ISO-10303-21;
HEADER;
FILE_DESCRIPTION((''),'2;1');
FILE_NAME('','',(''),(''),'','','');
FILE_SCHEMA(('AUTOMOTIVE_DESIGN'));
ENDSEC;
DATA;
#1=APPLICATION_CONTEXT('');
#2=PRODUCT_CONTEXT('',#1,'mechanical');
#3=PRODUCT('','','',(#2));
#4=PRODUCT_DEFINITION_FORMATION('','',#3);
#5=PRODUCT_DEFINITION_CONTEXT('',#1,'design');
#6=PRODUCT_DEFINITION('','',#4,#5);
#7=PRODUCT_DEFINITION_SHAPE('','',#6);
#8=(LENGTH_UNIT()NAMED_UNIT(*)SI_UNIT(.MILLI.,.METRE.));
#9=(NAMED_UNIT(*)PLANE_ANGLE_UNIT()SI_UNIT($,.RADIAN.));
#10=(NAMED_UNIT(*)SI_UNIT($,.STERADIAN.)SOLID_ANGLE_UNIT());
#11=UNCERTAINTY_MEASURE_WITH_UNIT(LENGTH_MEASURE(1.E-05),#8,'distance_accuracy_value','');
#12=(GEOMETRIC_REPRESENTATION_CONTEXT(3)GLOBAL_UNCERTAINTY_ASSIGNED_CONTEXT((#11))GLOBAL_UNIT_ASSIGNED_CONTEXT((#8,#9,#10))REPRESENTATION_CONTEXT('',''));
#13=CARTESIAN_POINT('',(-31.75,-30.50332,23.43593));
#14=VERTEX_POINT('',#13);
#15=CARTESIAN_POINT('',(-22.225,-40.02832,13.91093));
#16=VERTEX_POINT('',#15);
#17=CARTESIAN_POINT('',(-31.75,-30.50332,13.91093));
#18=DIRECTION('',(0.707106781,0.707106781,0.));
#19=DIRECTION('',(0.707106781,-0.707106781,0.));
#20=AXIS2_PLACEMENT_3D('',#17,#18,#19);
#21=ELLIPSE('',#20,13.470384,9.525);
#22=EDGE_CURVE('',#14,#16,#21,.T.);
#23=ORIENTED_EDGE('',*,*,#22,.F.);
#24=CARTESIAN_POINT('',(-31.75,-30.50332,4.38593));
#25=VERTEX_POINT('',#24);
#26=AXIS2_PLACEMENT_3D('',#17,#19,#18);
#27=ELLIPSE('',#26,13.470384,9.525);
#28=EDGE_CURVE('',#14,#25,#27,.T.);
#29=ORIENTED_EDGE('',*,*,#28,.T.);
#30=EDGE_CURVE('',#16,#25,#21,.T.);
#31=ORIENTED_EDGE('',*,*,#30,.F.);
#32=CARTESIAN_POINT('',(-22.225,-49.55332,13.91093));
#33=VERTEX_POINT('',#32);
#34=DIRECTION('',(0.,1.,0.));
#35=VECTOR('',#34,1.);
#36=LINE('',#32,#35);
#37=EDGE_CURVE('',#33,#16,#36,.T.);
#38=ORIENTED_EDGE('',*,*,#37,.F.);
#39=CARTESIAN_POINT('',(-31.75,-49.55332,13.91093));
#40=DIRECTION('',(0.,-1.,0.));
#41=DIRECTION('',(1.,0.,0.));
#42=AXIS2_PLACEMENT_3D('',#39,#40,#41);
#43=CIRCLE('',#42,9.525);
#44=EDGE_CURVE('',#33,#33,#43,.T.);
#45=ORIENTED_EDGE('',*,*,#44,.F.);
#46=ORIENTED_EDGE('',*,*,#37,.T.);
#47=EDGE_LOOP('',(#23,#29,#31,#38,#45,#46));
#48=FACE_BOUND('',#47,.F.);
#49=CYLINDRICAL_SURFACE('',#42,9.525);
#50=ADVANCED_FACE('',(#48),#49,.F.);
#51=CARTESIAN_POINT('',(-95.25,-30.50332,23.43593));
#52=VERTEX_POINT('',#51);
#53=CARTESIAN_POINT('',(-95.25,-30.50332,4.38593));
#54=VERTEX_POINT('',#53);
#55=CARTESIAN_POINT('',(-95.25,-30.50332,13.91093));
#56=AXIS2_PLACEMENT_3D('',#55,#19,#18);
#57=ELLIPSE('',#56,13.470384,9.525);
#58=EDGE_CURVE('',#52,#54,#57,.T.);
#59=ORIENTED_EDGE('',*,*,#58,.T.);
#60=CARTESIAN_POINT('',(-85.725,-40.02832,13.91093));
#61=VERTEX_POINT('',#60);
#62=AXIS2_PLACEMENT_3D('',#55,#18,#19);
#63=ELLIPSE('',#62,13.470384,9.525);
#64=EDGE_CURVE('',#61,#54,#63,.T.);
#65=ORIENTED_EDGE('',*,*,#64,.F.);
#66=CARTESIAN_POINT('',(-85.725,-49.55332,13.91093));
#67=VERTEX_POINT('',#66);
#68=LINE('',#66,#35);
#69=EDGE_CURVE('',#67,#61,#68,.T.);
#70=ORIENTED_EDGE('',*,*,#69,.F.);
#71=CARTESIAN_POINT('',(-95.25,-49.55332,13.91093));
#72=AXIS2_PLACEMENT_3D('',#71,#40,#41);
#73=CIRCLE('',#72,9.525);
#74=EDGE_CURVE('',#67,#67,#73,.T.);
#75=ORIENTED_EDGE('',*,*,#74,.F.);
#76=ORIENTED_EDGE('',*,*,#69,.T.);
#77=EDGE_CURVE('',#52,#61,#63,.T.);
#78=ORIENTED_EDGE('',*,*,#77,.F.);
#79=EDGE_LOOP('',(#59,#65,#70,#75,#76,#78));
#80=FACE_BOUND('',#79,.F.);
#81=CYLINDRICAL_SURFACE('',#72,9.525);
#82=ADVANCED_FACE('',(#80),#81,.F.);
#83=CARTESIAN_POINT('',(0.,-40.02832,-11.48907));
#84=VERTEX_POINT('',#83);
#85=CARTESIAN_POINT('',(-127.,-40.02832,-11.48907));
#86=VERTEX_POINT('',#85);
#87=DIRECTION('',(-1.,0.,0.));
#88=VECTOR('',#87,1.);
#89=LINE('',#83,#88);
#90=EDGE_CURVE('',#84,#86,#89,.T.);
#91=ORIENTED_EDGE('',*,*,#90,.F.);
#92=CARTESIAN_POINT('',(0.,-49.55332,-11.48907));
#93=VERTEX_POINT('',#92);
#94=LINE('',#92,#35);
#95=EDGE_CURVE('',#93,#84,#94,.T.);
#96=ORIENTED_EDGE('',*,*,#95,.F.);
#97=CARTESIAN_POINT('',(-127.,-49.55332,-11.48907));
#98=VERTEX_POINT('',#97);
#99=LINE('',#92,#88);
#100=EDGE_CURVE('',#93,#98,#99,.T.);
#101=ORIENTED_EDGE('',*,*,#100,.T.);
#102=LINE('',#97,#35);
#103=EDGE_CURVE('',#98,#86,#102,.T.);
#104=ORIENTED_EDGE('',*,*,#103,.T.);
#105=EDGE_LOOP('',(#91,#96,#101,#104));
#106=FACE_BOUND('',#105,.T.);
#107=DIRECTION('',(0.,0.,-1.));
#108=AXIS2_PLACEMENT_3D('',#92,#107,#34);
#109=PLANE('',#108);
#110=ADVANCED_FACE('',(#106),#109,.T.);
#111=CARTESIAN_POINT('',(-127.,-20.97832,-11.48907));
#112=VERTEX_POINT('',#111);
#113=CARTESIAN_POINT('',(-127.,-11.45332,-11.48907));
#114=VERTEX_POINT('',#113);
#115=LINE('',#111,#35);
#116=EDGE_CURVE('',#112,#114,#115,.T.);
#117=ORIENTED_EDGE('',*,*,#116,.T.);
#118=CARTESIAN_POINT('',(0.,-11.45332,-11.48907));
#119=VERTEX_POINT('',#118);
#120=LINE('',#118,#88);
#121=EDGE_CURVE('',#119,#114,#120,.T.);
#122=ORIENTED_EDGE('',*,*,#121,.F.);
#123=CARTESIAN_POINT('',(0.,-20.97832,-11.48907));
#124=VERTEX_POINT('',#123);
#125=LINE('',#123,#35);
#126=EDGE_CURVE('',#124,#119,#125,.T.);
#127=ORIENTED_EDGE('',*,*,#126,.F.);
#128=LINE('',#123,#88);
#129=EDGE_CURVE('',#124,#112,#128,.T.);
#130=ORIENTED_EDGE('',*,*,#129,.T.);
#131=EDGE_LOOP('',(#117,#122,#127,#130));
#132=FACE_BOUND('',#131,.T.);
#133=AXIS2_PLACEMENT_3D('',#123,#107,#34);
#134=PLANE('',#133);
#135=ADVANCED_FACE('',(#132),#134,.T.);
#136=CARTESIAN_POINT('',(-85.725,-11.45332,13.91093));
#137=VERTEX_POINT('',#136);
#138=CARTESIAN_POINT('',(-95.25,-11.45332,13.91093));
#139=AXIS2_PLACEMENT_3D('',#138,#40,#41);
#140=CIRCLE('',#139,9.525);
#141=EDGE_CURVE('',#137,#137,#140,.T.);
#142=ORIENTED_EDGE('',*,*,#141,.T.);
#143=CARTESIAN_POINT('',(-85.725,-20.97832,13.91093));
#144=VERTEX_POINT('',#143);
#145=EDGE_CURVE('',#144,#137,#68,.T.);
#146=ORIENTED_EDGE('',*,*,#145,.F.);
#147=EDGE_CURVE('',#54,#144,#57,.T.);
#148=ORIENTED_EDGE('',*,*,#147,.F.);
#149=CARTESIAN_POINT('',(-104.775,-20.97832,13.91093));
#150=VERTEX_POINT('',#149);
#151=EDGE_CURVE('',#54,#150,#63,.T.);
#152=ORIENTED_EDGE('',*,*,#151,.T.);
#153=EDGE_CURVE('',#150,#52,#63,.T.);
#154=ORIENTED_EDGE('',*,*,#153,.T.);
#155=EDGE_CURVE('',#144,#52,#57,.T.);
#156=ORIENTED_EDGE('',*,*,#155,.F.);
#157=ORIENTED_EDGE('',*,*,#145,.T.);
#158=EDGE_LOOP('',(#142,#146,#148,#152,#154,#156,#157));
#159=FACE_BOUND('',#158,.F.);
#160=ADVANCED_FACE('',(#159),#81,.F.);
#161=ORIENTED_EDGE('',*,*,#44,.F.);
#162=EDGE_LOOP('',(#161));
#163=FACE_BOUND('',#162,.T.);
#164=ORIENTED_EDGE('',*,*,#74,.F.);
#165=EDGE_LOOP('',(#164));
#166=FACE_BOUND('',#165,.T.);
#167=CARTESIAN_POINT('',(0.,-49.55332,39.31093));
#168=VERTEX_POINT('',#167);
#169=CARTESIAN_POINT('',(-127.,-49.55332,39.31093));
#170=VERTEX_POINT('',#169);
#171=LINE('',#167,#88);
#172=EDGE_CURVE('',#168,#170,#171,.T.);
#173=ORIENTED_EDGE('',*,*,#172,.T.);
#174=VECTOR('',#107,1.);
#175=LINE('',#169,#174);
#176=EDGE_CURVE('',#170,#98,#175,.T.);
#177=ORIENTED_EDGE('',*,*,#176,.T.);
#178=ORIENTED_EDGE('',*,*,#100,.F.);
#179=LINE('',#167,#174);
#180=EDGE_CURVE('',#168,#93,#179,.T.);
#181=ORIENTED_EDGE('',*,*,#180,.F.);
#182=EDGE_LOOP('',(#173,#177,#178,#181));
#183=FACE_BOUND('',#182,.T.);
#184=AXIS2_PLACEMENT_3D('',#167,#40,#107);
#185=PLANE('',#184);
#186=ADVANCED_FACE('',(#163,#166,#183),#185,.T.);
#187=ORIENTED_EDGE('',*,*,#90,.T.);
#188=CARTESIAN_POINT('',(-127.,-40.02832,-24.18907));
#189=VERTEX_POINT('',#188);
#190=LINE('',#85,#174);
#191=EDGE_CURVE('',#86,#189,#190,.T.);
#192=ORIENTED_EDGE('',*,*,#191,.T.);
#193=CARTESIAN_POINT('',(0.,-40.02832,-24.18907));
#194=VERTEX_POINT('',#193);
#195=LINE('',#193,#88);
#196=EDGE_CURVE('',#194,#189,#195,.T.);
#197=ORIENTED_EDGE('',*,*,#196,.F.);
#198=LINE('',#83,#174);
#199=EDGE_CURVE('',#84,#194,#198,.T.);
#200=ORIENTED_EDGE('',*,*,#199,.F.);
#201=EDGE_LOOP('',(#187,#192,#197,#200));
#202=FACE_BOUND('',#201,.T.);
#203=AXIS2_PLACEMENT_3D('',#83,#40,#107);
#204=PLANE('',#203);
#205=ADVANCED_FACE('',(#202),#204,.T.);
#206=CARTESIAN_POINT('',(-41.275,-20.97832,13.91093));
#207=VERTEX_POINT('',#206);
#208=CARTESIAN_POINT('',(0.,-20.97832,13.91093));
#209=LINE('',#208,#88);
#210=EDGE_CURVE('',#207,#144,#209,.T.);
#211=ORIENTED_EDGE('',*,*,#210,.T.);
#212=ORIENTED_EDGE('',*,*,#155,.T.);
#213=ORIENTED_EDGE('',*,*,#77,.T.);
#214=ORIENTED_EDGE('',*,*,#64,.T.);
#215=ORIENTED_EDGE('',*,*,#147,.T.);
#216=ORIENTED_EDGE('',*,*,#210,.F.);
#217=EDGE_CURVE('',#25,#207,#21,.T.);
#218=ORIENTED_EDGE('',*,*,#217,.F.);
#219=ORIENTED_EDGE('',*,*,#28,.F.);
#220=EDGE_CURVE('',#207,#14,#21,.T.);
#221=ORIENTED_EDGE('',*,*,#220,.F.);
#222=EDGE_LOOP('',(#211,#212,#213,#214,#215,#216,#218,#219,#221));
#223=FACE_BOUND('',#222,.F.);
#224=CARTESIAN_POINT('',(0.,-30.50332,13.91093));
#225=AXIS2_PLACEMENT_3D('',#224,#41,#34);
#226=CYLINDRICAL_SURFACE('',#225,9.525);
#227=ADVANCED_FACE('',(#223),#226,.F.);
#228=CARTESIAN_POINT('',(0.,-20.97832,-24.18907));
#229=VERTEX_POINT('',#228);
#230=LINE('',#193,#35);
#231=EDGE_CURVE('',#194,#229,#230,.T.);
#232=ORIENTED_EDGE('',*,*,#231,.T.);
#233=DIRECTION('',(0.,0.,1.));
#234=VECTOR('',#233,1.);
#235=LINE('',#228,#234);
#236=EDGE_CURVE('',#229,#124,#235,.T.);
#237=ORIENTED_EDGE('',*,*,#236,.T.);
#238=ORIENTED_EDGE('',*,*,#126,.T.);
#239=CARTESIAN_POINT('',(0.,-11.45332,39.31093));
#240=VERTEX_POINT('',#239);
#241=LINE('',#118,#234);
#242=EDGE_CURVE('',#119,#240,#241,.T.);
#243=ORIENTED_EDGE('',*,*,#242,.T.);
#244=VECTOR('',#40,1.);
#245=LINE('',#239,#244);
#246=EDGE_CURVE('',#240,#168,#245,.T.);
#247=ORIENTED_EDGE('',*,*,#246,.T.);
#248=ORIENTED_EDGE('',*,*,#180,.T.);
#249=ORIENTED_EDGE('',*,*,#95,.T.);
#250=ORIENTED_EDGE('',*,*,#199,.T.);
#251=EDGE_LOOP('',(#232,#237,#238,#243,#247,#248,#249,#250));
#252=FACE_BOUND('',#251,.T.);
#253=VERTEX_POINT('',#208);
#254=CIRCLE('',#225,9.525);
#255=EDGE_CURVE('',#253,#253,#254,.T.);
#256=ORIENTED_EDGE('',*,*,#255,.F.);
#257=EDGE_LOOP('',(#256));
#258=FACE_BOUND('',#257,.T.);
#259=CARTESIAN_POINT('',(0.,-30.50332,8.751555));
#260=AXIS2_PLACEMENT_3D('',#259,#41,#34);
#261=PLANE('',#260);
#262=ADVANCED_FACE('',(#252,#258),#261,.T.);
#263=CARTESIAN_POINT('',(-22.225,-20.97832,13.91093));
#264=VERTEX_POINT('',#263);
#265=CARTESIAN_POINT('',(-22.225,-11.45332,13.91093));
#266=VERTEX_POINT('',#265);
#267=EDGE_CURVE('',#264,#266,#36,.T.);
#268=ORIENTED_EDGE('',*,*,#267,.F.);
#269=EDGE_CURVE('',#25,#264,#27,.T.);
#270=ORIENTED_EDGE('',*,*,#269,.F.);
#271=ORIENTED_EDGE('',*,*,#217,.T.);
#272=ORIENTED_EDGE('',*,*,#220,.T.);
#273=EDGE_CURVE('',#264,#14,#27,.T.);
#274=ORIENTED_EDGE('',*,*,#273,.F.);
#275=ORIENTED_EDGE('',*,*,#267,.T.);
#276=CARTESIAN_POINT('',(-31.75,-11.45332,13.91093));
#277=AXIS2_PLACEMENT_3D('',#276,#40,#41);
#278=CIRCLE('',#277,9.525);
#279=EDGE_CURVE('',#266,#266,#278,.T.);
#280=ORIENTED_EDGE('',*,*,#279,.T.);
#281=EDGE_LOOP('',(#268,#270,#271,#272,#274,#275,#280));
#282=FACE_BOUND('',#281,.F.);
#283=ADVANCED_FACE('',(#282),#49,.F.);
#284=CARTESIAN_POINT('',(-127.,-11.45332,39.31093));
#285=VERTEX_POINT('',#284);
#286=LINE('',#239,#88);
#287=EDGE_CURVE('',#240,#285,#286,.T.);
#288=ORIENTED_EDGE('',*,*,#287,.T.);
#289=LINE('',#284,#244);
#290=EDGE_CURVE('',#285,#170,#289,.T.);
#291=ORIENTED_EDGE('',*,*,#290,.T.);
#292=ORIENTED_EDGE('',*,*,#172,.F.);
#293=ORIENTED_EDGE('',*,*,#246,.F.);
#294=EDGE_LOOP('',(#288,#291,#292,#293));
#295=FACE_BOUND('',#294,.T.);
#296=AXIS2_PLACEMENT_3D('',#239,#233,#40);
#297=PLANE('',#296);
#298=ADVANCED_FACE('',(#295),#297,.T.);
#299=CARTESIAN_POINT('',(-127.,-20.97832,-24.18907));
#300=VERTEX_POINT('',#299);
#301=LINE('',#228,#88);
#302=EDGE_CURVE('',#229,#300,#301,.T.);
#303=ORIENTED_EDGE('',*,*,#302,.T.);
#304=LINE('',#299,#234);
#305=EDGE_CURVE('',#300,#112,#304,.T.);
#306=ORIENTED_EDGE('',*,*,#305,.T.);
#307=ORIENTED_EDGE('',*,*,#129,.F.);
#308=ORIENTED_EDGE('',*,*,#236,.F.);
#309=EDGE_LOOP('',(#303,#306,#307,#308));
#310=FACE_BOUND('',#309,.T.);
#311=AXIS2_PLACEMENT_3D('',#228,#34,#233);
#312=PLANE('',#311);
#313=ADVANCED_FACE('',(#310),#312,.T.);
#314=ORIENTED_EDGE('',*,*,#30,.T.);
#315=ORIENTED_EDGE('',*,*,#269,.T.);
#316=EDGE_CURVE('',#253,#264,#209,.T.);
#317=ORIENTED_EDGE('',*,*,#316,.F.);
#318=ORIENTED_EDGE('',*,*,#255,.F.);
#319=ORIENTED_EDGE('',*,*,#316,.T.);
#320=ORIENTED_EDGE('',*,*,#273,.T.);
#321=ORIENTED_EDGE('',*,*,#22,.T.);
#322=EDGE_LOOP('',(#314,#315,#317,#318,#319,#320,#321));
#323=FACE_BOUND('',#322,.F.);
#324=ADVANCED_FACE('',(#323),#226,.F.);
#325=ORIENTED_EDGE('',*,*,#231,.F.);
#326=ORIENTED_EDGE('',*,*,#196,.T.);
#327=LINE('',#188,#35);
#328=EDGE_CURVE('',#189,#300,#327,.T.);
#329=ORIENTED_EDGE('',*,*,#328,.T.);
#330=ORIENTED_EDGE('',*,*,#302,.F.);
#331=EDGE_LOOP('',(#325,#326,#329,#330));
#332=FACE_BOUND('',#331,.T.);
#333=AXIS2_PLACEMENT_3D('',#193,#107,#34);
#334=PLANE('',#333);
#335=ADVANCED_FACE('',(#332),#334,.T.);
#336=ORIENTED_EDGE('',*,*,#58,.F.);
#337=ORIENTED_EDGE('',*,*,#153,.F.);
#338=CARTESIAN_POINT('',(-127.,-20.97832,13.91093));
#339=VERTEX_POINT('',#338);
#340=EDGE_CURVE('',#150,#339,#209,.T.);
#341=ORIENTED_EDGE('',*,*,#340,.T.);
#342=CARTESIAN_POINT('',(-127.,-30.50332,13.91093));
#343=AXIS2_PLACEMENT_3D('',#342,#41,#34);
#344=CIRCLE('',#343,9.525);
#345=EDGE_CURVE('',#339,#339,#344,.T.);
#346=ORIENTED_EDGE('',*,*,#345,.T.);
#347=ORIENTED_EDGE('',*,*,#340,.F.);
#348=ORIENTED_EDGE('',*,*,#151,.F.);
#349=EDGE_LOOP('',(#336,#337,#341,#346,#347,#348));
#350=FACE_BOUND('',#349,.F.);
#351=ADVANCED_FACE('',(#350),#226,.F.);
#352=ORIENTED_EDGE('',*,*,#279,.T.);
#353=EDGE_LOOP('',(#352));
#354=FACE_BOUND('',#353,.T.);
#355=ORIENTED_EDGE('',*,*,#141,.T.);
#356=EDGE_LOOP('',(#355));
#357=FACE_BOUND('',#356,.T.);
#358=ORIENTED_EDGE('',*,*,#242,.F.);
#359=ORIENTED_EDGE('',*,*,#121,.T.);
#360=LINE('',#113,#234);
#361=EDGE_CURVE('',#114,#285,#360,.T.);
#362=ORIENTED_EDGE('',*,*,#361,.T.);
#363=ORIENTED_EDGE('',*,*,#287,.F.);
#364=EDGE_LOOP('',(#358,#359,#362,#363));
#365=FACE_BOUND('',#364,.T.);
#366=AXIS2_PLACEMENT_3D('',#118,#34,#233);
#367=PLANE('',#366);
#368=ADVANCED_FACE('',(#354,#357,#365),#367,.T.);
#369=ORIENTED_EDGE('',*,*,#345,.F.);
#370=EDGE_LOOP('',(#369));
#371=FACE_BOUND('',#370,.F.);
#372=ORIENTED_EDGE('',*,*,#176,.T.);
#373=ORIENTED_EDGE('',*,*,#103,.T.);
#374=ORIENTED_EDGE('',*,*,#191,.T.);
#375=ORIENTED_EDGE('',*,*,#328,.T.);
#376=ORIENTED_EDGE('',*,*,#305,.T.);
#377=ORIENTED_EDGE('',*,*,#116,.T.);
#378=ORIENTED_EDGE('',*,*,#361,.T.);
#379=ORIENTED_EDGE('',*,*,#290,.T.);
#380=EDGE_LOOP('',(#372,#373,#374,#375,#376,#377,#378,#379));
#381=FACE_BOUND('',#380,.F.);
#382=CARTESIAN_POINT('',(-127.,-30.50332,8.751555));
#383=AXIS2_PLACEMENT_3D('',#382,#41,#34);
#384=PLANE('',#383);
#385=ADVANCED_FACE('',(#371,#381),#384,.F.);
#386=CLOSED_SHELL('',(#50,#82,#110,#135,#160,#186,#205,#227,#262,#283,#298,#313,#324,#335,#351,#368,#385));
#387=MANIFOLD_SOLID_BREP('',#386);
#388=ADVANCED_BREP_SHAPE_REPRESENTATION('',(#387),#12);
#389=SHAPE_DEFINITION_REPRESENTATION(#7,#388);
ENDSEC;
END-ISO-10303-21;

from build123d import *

# Parameters (mm, degrees)
F1_DEPTH = 127
F2_R     = 9.525
F3_DEPTH = 127.001
F4_R     = 9.525
F5_DEPTH = 38.101


with BuildPart() as f1:
    # F0 (on Right) → F1 (new body)
    with BuildSketch(Plane.YZ):
        Polygon((-20.97832, -24.18907), (-20.97832, -11.48907), (-11.45332, -11.48907), (-11.45332, 39.31093), (-49.55332, 39.31093), (-49.55332, -11.48907), (-40.02832, -11.48907), (-40.02832, -24.18907), align=None)
    extrude(amount=-F1_DEPTH)

    # F2 (on face) → F3 (cut, through all)
    with BuildSketch(Plane.YZ):
        with Locations((-30.50332, 13.91093)):
            Circle(F2_R)
    extrude(amount=-F3_DEPTH, mode=Mode.SUBTRACT)

    # F4 (on face) → F5 (cut, through all)
    with BuildSketch(Plane.XZ.offset(49.55332)):
        with Locations((-95.25, 13.91093)):
            Circle(F4_R)
        with Locations((-31.75, 13.91093)):
            Circle(F4_R)
    extrude(amount=-F5_DEPTH, mode=Mode.SUBTRACT)


solid = f1.part
